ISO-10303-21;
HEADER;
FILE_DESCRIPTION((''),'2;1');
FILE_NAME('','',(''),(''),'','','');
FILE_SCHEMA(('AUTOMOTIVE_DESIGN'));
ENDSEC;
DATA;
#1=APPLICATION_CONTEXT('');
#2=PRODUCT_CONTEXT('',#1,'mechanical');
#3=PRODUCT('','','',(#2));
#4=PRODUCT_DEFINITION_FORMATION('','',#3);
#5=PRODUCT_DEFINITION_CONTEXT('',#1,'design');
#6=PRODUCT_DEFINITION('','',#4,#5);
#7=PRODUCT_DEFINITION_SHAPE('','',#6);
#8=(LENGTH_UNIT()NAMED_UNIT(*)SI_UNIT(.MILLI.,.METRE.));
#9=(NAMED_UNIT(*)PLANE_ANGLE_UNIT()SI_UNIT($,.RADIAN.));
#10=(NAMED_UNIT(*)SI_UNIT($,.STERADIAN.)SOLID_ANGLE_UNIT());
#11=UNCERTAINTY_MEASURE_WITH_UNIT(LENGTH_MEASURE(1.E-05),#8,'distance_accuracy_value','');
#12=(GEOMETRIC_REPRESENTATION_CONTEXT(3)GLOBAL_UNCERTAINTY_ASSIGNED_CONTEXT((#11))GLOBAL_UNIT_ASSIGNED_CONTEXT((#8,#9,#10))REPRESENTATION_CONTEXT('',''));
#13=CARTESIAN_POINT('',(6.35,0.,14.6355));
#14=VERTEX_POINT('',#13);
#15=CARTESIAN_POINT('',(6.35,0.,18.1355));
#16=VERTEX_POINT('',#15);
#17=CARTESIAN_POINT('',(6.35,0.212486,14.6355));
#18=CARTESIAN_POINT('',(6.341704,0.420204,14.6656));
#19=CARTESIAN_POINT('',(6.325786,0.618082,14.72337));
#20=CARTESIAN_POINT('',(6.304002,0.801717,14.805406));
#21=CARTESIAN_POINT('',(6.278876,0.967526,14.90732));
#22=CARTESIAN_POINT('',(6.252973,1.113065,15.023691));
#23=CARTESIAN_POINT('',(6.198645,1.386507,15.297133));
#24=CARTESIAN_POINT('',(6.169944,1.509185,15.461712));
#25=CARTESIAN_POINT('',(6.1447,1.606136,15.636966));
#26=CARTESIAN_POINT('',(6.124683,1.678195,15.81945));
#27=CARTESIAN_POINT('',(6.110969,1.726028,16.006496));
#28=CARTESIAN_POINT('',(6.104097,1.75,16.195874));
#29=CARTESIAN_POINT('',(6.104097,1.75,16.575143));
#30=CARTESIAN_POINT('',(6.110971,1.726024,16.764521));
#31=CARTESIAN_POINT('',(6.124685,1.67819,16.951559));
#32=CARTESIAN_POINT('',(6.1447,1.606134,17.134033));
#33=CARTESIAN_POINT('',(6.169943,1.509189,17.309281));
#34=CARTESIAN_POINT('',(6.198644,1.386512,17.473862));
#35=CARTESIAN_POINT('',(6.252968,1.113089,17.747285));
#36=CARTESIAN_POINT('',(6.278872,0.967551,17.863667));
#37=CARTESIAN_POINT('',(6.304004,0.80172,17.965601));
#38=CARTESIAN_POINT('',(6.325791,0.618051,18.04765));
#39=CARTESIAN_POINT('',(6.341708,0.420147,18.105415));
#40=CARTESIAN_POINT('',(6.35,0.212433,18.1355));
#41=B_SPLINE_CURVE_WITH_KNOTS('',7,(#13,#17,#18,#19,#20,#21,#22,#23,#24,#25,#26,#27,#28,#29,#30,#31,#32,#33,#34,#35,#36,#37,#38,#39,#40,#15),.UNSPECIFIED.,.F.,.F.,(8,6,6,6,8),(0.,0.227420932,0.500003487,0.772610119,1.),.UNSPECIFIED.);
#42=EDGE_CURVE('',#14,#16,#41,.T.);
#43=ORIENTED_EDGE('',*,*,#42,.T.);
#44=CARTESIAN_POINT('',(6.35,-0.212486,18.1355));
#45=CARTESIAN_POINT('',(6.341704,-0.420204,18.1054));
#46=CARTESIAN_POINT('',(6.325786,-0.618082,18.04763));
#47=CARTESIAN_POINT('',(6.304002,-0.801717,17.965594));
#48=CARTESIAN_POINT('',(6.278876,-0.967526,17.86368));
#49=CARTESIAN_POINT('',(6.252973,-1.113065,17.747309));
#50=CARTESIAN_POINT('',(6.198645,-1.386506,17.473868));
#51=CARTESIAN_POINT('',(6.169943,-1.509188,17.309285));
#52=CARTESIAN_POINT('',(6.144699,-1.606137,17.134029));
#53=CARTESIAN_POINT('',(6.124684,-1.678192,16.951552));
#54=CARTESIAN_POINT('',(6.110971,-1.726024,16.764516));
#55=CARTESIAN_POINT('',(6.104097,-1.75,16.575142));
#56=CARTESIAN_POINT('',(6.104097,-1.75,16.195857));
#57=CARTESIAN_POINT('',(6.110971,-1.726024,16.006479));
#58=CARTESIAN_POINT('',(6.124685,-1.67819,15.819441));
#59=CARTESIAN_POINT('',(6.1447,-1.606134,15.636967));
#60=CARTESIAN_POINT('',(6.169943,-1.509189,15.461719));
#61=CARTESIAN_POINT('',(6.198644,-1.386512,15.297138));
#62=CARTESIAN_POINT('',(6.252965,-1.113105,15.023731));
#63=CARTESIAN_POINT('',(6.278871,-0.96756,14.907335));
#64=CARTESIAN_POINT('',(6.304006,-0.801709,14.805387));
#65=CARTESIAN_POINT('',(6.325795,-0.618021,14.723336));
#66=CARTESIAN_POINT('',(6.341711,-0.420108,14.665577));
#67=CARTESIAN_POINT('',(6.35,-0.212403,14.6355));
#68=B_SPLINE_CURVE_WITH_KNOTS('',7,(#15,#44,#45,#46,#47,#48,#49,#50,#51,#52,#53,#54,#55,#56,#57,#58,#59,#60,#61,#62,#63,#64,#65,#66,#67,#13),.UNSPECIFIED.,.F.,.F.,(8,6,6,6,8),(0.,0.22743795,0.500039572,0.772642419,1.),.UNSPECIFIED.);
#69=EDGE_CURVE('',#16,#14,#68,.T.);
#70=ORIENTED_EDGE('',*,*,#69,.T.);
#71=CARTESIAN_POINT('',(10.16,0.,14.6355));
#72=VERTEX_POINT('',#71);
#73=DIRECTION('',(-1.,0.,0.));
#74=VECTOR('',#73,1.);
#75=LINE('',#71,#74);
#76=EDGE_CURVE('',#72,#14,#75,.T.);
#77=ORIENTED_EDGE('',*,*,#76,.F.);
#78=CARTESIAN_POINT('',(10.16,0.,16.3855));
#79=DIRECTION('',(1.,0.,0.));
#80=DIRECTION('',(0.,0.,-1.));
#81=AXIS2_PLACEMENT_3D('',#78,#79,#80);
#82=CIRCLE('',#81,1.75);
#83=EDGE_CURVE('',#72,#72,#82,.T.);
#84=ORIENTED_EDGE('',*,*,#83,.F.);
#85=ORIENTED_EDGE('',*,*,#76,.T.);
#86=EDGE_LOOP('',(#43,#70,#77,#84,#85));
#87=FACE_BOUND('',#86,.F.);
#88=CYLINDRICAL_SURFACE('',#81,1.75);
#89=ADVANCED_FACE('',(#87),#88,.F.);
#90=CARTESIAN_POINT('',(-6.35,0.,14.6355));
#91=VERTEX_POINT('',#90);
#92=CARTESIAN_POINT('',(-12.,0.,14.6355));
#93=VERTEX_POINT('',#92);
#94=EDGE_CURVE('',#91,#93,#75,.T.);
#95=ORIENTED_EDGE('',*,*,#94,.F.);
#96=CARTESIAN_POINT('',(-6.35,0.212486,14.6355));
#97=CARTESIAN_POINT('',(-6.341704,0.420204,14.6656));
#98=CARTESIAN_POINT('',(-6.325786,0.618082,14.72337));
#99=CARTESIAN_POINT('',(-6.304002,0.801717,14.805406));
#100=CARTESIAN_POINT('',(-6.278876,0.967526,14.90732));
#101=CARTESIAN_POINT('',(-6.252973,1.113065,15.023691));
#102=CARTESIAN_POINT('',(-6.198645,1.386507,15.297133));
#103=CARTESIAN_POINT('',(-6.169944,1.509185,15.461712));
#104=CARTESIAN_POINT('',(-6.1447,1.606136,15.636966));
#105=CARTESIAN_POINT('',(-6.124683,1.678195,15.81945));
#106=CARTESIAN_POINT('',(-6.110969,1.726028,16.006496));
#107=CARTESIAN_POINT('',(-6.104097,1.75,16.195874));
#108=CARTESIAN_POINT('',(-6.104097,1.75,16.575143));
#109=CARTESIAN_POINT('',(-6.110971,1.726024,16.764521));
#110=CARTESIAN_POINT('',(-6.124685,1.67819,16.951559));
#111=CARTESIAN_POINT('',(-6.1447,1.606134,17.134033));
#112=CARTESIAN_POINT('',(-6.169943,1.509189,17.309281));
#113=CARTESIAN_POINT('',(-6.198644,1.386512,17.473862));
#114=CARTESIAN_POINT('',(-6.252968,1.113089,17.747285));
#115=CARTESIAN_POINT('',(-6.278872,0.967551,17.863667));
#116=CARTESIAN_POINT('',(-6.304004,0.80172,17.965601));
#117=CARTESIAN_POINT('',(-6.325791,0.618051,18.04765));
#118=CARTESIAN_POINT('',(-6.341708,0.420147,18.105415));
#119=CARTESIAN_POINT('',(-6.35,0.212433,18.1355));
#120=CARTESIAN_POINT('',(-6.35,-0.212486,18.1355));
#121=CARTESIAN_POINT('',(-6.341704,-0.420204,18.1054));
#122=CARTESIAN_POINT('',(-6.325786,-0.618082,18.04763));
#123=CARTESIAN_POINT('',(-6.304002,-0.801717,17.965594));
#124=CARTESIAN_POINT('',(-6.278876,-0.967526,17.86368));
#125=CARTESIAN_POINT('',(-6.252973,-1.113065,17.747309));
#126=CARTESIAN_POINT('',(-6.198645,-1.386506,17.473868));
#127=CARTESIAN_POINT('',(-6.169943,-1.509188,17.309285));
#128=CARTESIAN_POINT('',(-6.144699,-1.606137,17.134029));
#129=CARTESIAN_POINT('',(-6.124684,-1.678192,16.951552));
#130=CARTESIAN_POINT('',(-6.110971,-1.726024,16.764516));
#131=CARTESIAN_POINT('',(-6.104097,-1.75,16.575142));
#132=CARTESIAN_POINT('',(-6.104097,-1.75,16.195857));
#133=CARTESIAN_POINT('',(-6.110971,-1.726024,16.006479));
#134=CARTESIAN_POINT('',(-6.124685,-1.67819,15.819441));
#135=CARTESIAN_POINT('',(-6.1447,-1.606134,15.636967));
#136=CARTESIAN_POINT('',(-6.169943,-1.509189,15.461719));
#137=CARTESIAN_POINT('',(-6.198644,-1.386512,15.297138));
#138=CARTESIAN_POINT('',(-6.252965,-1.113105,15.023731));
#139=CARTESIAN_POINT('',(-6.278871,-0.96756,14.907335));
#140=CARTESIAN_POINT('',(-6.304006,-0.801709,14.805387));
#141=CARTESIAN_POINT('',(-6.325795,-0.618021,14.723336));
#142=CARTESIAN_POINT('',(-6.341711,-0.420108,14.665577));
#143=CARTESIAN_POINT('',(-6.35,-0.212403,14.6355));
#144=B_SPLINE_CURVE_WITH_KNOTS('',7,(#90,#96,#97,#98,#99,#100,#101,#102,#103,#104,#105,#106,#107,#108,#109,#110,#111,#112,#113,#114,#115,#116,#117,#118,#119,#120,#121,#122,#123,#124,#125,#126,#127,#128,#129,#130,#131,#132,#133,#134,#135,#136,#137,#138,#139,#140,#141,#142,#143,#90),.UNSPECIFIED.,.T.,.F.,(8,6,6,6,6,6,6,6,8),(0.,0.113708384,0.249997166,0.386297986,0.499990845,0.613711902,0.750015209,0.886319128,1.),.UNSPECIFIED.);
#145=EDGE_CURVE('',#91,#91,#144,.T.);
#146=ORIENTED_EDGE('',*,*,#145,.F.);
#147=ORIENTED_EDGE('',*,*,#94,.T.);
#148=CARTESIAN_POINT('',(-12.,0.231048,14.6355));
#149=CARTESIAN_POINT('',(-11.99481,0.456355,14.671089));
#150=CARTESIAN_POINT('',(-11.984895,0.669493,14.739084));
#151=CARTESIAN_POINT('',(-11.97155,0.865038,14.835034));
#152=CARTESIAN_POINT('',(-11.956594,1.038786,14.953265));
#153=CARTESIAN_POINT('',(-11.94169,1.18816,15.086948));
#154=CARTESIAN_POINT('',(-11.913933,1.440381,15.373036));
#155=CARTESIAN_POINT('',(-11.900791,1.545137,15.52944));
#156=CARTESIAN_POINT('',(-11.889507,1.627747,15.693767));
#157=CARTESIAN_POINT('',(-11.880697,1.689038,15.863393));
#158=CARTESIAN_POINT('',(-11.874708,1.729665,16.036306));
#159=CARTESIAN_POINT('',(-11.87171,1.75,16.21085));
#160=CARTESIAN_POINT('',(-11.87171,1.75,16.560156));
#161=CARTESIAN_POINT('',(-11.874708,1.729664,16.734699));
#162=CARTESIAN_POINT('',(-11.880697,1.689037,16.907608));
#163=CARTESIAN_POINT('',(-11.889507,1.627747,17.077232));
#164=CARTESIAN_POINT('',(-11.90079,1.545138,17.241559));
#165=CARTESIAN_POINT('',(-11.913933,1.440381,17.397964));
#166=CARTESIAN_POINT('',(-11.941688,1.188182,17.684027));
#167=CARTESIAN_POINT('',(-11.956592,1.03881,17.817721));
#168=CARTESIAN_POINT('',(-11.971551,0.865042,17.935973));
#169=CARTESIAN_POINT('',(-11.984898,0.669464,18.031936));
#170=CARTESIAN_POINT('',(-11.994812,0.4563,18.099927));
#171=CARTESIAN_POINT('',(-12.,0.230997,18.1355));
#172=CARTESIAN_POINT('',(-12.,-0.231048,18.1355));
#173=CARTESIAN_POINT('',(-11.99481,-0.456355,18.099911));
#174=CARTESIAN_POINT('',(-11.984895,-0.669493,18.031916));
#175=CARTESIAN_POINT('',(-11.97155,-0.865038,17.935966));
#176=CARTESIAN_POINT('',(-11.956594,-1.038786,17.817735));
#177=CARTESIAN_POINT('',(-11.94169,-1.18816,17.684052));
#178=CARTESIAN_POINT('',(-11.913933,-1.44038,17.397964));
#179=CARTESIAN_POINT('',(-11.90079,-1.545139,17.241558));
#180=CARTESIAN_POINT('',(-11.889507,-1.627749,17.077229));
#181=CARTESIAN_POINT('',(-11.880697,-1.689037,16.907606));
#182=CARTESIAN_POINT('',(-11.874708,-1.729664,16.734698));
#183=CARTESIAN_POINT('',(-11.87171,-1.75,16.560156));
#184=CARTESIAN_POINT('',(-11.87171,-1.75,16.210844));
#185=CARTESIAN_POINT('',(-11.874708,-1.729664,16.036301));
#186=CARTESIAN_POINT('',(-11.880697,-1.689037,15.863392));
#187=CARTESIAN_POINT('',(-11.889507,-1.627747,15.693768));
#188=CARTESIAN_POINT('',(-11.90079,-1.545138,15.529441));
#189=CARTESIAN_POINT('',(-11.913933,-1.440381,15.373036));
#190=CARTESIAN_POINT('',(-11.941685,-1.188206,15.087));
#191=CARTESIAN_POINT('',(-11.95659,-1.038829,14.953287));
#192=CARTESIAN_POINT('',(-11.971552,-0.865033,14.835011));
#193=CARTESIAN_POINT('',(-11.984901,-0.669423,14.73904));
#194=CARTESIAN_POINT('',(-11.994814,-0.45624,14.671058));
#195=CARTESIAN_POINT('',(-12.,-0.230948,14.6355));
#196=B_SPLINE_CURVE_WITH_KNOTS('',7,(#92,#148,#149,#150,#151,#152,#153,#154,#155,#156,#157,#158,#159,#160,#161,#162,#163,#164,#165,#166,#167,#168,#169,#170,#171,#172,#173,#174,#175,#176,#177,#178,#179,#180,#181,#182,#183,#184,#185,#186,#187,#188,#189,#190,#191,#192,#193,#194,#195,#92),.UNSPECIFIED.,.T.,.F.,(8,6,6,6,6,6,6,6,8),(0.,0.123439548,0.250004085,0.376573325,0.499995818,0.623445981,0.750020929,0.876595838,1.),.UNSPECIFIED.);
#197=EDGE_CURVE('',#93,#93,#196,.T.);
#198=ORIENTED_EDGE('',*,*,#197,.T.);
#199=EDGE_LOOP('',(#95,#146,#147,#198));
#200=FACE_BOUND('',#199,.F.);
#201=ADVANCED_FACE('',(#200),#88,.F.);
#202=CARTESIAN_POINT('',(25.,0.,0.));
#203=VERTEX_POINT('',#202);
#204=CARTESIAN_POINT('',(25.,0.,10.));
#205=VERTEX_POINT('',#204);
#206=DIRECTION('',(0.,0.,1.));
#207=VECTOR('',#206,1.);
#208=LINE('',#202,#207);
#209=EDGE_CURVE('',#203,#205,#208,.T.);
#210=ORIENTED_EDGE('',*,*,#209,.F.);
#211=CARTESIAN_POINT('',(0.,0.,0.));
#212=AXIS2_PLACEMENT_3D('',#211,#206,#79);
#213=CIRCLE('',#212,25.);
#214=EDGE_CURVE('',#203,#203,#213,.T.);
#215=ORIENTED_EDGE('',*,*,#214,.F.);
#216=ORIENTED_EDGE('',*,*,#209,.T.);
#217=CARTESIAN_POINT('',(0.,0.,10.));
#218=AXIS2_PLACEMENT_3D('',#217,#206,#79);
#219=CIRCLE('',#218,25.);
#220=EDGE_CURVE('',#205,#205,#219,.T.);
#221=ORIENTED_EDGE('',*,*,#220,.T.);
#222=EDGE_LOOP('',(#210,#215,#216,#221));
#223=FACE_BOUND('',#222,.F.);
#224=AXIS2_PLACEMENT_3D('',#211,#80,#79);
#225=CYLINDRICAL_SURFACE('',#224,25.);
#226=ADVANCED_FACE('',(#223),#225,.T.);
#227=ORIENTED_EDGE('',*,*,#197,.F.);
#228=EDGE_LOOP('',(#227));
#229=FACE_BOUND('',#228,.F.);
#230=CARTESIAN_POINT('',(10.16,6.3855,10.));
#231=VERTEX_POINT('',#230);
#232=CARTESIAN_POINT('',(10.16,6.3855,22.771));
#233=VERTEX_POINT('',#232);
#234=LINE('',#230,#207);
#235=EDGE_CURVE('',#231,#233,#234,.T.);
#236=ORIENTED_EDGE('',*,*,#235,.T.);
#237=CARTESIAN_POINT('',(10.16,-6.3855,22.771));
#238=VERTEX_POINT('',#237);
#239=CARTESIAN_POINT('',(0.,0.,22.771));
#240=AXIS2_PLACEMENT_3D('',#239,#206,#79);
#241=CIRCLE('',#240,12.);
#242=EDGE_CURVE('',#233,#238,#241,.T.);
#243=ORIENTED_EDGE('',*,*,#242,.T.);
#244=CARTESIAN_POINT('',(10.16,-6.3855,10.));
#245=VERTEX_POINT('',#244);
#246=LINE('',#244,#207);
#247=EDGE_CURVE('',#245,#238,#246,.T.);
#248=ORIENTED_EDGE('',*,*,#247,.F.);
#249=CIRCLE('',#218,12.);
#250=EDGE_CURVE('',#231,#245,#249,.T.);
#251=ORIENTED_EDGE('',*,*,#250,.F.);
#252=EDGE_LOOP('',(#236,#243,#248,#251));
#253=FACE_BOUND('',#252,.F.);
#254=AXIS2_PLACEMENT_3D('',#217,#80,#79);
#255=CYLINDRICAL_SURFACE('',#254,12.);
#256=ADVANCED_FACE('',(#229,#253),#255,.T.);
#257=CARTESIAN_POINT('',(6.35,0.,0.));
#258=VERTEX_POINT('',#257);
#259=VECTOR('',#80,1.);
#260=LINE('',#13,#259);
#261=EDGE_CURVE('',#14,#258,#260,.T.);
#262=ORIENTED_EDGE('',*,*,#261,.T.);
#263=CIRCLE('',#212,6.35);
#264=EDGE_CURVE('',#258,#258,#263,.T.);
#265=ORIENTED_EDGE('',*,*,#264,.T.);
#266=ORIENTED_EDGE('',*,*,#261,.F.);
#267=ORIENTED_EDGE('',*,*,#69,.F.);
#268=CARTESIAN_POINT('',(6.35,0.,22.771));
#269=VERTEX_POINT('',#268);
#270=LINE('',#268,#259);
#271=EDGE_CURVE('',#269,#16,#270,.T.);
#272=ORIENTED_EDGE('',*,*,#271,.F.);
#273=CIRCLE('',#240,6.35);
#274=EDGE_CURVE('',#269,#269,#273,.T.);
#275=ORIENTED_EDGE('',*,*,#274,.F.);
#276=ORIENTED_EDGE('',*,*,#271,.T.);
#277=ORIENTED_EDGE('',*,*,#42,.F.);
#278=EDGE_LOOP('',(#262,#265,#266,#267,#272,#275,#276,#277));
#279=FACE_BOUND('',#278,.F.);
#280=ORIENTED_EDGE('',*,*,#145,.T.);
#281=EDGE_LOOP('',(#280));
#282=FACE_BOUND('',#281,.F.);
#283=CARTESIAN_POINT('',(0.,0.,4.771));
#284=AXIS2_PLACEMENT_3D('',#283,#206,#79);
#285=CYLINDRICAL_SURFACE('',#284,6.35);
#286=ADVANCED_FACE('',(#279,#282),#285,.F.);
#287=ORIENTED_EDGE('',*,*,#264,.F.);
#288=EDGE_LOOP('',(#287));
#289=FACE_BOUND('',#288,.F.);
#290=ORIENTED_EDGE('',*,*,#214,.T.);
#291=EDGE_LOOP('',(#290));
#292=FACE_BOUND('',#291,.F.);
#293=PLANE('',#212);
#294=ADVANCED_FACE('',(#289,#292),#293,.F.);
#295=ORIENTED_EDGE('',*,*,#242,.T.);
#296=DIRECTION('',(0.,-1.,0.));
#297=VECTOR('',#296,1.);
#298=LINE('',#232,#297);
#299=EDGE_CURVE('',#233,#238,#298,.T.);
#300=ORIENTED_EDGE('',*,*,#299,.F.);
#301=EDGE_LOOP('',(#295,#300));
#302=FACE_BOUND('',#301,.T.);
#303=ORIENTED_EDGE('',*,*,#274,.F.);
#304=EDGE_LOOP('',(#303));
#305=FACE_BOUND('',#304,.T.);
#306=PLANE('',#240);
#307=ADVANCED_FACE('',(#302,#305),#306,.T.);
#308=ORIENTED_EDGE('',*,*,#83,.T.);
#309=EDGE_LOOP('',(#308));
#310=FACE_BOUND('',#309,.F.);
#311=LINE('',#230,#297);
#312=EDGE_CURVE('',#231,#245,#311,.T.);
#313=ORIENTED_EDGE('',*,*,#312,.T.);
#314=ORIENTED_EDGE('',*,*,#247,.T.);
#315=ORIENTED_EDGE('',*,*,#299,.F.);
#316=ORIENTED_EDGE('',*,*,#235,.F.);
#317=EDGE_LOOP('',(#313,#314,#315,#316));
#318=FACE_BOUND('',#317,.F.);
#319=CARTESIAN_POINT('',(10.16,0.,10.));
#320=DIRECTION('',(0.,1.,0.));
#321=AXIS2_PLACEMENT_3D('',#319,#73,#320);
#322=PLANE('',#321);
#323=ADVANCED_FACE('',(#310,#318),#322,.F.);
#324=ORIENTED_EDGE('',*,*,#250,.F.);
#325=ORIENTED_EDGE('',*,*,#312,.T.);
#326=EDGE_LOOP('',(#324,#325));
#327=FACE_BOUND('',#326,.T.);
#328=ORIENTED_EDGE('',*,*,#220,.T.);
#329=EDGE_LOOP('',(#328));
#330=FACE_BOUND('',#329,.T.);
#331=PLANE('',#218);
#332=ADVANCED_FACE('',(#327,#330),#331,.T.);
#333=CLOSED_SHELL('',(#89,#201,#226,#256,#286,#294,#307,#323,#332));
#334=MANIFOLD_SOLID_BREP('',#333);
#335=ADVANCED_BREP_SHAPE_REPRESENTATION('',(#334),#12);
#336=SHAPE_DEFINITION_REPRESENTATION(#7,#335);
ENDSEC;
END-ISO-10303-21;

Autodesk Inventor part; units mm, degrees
ref_plane "YZ Plane" through (0, 0, 0) normal (1, 0, 0) x (0, 1, 0)
ref_plane "XZ Plane" through (0, 0, 0) normal (0, 1, 0) x (-1, 0, 0)
ref_plane "XY Plane" through (0, 0, 0) normal (0, 0, 1) x (1, 0, 0)
sketch "Sketch1" plane through (0, 0, 0) normal (0, 0, 1) x (1, 0, 0)
  circle A0 centre (0, 0) radius 25
  dimension "d0" = 50
extrude "Extrusion1" add sketch "Sketch1" along normal blind 10
sketch "Sketch14" plane through (0, 0, 10) normal (0, 0, 1) x (1, 0, 0)
  circle A0 centre (0, 0) radius 12
  line L0 (10.16, 0) -> (10.16, 6.3855)
  line L1 (10.16, -6.3855) -> (10.16, 0)
  dimension "d16" = 24
extrude "Extrusion4" add sketch "Sketch14" along normal blind 12.771 contours L0 L1 A0 picked at (-4.553, 0)
sketch "Sketch19" plane through (0, 0, 22.771) normal (0, 0, 1) x (1, 0, 0)
  circle A0 centre (0, 0) radius 6.35
  dimension "d28" = 12.7
extrude "Extrusion7" cut sketch "Sketch19" against normal blind 18
sketch "Sketch22" plane through (10.16, -6.3855, 10) normal (1, 0, 0) x (0, 0, -1)
  line L0 (-12.771, 0) -> (-12.771, 12.771) projected
  circle A0 centre (-6.3855, 6.3855) radius 1.75
  point P0 (10, 6.3855)
  dimension "d40" = 3.5
extrude "Extrusion10" cut sketch "Sketch22" against normal blind 25
sketch "Sketch23" plane through (0, 0, 4.771) normal (0, 0, 1) x (1, 0, 0)
  circle A0 centre (0, 0) radius 6.35
  dimension "d43" = 12.7
extrude "Extrusion11" cut sketch "Sketch23" against normal blind 10
equation "\"BendRadius\" = Thickness"
equation "\"BendReliefWidth\" = Thickness"
equation "\"BendReliefDepth\" = 0.5 * Thickness"
equation "\"CornerReliefSize\" = 4 * Thickness"
equation "\"MinimumRemnant\" = 2 * Thickness"
equation "\"TransitionRadius\" = BendRadius"
equation "\"JacobiRadiusSize\" = BendRadius"
equation "\"GapSize\" = Thickness"
equation "\"Thickness\" = 0.5"
properties part number "Project_Stationary_Wheel_Final"
